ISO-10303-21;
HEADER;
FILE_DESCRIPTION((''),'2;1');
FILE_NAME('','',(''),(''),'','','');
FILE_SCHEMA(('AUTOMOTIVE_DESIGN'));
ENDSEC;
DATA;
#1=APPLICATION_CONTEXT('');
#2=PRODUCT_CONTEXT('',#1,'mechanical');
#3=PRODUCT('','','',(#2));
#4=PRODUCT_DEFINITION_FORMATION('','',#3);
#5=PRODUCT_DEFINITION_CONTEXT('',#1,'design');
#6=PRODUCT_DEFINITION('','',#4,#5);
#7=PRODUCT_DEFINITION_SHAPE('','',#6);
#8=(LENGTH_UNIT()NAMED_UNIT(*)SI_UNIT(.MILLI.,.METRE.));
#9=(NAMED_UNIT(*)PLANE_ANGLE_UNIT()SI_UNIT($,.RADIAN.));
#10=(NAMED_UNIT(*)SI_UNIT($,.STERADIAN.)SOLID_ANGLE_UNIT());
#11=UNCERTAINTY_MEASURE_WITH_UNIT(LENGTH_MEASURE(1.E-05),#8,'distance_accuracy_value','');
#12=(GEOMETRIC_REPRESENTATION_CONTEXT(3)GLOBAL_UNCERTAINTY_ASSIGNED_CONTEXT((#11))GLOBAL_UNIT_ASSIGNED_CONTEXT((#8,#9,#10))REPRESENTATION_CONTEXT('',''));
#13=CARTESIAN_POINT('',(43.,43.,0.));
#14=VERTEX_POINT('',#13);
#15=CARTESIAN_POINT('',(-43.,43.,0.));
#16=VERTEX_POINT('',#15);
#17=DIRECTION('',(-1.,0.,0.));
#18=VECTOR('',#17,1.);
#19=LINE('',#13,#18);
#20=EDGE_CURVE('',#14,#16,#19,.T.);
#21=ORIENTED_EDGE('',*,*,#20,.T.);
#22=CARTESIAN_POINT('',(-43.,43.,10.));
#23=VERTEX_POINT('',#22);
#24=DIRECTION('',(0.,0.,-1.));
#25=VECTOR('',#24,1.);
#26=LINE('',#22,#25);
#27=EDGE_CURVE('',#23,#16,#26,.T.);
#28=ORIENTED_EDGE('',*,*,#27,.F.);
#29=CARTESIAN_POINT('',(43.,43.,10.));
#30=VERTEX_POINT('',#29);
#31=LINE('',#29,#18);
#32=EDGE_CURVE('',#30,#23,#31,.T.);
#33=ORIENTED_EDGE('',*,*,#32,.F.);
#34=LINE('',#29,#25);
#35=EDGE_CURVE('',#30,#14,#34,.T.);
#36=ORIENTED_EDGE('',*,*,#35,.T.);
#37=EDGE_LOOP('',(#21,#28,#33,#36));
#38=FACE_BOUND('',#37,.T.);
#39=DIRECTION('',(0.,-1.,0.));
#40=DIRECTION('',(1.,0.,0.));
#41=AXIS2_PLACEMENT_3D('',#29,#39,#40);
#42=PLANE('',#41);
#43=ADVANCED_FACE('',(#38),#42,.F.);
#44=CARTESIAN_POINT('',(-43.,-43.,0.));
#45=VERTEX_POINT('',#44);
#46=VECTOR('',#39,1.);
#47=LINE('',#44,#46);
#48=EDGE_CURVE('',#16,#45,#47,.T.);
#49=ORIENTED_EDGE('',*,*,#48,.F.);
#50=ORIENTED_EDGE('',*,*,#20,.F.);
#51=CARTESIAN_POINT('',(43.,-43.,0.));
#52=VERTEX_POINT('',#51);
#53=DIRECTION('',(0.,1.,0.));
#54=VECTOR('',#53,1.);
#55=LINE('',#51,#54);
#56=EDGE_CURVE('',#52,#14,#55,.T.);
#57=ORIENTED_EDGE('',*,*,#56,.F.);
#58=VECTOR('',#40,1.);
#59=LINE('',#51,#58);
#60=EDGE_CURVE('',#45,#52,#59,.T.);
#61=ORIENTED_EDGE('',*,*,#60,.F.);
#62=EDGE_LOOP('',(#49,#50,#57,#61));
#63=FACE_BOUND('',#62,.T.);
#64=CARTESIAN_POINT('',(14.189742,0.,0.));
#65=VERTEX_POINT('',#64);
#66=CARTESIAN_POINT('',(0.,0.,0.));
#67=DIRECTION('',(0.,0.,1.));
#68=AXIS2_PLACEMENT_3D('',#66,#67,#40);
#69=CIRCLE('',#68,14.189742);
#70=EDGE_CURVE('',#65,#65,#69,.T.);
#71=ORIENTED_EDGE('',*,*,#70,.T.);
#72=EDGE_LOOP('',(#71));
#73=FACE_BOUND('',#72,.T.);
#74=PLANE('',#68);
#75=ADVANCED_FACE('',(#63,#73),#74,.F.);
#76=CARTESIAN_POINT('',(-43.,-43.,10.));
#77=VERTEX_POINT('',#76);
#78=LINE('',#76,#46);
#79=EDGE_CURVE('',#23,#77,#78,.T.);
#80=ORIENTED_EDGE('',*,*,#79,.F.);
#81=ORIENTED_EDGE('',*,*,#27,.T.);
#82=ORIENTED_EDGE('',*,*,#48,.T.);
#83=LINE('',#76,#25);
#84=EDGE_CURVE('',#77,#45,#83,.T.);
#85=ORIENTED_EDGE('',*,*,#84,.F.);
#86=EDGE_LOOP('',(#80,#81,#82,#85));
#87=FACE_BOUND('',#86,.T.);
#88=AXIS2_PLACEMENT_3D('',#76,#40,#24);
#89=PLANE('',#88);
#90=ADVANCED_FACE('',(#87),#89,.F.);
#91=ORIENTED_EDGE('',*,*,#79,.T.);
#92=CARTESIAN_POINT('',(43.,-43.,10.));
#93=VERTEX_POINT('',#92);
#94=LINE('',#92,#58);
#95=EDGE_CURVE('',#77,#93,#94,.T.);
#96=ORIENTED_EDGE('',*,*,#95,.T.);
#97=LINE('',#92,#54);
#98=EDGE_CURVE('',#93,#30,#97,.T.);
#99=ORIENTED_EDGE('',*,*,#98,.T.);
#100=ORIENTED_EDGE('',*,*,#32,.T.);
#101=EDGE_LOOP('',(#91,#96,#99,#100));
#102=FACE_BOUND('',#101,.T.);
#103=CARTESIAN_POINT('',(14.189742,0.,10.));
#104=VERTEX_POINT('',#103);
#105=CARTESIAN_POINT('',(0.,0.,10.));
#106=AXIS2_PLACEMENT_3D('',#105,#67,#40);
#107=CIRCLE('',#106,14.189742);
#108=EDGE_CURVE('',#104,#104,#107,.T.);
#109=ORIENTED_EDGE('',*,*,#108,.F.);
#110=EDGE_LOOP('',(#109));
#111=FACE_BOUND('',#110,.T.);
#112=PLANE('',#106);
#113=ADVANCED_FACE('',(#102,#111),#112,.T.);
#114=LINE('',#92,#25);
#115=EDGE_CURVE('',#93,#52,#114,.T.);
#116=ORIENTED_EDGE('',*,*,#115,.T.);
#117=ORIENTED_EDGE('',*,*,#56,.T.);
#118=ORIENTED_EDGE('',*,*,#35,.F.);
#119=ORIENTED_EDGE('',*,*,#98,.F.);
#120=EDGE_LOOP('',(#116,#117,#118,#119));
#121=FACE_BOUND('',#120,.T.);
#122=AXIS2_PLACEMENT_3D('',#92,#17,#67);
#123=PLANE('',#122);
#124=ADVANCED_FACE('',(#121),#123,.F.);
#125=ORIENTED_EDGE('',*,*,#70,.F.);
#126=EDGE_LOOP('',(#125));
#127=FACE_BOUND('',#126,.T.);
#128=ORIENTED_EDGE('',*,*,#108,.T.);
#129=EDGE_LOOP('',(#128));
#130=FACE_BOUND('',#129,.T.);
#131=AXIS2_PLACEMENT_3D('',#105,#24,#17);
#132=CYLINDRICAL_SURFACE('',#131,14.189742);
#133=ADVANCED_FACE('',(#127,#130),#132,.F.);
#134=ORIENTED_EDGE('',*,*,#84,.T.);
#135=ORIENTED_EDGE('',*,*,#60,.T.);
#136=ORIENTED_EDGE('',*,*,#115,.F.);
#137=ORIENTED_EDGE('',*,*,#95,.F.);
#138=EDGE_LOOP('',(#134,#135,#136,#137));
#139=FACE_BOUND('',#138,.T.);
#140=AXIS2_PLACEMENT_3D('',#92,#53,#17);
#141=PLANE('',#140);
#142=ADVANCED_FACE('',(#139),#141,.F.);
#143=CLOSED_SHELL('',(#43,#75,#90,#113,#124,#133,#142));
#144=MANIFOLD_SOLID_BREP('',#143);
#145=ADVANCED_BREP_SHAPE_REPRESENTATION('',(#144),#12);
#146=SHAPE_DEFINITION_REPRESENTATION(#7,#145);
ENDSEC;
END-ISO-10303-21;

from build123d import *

# Parameters (mm, degrees)
CROQUIS1_W              = 86
CROQUIS1_H              = 86
CROQUIS1_R              = 14.189741596
SALIENTE_EXTRUIR1_DEPTH = 10


with BuildPart() as part:
    # Croquis1 → Saliente-Extruir1 (new body)
    with BuildSketch(Plane.XY):
        Rectangle(CROQUIS1_W, CROQUIS1_H)
        Circle(CROQUIS1_R, mode=Mode.SUBTRACT)
    extrude(amount=SALIENTE_EXTRUIR1_DEPTH)


solid = part.part
